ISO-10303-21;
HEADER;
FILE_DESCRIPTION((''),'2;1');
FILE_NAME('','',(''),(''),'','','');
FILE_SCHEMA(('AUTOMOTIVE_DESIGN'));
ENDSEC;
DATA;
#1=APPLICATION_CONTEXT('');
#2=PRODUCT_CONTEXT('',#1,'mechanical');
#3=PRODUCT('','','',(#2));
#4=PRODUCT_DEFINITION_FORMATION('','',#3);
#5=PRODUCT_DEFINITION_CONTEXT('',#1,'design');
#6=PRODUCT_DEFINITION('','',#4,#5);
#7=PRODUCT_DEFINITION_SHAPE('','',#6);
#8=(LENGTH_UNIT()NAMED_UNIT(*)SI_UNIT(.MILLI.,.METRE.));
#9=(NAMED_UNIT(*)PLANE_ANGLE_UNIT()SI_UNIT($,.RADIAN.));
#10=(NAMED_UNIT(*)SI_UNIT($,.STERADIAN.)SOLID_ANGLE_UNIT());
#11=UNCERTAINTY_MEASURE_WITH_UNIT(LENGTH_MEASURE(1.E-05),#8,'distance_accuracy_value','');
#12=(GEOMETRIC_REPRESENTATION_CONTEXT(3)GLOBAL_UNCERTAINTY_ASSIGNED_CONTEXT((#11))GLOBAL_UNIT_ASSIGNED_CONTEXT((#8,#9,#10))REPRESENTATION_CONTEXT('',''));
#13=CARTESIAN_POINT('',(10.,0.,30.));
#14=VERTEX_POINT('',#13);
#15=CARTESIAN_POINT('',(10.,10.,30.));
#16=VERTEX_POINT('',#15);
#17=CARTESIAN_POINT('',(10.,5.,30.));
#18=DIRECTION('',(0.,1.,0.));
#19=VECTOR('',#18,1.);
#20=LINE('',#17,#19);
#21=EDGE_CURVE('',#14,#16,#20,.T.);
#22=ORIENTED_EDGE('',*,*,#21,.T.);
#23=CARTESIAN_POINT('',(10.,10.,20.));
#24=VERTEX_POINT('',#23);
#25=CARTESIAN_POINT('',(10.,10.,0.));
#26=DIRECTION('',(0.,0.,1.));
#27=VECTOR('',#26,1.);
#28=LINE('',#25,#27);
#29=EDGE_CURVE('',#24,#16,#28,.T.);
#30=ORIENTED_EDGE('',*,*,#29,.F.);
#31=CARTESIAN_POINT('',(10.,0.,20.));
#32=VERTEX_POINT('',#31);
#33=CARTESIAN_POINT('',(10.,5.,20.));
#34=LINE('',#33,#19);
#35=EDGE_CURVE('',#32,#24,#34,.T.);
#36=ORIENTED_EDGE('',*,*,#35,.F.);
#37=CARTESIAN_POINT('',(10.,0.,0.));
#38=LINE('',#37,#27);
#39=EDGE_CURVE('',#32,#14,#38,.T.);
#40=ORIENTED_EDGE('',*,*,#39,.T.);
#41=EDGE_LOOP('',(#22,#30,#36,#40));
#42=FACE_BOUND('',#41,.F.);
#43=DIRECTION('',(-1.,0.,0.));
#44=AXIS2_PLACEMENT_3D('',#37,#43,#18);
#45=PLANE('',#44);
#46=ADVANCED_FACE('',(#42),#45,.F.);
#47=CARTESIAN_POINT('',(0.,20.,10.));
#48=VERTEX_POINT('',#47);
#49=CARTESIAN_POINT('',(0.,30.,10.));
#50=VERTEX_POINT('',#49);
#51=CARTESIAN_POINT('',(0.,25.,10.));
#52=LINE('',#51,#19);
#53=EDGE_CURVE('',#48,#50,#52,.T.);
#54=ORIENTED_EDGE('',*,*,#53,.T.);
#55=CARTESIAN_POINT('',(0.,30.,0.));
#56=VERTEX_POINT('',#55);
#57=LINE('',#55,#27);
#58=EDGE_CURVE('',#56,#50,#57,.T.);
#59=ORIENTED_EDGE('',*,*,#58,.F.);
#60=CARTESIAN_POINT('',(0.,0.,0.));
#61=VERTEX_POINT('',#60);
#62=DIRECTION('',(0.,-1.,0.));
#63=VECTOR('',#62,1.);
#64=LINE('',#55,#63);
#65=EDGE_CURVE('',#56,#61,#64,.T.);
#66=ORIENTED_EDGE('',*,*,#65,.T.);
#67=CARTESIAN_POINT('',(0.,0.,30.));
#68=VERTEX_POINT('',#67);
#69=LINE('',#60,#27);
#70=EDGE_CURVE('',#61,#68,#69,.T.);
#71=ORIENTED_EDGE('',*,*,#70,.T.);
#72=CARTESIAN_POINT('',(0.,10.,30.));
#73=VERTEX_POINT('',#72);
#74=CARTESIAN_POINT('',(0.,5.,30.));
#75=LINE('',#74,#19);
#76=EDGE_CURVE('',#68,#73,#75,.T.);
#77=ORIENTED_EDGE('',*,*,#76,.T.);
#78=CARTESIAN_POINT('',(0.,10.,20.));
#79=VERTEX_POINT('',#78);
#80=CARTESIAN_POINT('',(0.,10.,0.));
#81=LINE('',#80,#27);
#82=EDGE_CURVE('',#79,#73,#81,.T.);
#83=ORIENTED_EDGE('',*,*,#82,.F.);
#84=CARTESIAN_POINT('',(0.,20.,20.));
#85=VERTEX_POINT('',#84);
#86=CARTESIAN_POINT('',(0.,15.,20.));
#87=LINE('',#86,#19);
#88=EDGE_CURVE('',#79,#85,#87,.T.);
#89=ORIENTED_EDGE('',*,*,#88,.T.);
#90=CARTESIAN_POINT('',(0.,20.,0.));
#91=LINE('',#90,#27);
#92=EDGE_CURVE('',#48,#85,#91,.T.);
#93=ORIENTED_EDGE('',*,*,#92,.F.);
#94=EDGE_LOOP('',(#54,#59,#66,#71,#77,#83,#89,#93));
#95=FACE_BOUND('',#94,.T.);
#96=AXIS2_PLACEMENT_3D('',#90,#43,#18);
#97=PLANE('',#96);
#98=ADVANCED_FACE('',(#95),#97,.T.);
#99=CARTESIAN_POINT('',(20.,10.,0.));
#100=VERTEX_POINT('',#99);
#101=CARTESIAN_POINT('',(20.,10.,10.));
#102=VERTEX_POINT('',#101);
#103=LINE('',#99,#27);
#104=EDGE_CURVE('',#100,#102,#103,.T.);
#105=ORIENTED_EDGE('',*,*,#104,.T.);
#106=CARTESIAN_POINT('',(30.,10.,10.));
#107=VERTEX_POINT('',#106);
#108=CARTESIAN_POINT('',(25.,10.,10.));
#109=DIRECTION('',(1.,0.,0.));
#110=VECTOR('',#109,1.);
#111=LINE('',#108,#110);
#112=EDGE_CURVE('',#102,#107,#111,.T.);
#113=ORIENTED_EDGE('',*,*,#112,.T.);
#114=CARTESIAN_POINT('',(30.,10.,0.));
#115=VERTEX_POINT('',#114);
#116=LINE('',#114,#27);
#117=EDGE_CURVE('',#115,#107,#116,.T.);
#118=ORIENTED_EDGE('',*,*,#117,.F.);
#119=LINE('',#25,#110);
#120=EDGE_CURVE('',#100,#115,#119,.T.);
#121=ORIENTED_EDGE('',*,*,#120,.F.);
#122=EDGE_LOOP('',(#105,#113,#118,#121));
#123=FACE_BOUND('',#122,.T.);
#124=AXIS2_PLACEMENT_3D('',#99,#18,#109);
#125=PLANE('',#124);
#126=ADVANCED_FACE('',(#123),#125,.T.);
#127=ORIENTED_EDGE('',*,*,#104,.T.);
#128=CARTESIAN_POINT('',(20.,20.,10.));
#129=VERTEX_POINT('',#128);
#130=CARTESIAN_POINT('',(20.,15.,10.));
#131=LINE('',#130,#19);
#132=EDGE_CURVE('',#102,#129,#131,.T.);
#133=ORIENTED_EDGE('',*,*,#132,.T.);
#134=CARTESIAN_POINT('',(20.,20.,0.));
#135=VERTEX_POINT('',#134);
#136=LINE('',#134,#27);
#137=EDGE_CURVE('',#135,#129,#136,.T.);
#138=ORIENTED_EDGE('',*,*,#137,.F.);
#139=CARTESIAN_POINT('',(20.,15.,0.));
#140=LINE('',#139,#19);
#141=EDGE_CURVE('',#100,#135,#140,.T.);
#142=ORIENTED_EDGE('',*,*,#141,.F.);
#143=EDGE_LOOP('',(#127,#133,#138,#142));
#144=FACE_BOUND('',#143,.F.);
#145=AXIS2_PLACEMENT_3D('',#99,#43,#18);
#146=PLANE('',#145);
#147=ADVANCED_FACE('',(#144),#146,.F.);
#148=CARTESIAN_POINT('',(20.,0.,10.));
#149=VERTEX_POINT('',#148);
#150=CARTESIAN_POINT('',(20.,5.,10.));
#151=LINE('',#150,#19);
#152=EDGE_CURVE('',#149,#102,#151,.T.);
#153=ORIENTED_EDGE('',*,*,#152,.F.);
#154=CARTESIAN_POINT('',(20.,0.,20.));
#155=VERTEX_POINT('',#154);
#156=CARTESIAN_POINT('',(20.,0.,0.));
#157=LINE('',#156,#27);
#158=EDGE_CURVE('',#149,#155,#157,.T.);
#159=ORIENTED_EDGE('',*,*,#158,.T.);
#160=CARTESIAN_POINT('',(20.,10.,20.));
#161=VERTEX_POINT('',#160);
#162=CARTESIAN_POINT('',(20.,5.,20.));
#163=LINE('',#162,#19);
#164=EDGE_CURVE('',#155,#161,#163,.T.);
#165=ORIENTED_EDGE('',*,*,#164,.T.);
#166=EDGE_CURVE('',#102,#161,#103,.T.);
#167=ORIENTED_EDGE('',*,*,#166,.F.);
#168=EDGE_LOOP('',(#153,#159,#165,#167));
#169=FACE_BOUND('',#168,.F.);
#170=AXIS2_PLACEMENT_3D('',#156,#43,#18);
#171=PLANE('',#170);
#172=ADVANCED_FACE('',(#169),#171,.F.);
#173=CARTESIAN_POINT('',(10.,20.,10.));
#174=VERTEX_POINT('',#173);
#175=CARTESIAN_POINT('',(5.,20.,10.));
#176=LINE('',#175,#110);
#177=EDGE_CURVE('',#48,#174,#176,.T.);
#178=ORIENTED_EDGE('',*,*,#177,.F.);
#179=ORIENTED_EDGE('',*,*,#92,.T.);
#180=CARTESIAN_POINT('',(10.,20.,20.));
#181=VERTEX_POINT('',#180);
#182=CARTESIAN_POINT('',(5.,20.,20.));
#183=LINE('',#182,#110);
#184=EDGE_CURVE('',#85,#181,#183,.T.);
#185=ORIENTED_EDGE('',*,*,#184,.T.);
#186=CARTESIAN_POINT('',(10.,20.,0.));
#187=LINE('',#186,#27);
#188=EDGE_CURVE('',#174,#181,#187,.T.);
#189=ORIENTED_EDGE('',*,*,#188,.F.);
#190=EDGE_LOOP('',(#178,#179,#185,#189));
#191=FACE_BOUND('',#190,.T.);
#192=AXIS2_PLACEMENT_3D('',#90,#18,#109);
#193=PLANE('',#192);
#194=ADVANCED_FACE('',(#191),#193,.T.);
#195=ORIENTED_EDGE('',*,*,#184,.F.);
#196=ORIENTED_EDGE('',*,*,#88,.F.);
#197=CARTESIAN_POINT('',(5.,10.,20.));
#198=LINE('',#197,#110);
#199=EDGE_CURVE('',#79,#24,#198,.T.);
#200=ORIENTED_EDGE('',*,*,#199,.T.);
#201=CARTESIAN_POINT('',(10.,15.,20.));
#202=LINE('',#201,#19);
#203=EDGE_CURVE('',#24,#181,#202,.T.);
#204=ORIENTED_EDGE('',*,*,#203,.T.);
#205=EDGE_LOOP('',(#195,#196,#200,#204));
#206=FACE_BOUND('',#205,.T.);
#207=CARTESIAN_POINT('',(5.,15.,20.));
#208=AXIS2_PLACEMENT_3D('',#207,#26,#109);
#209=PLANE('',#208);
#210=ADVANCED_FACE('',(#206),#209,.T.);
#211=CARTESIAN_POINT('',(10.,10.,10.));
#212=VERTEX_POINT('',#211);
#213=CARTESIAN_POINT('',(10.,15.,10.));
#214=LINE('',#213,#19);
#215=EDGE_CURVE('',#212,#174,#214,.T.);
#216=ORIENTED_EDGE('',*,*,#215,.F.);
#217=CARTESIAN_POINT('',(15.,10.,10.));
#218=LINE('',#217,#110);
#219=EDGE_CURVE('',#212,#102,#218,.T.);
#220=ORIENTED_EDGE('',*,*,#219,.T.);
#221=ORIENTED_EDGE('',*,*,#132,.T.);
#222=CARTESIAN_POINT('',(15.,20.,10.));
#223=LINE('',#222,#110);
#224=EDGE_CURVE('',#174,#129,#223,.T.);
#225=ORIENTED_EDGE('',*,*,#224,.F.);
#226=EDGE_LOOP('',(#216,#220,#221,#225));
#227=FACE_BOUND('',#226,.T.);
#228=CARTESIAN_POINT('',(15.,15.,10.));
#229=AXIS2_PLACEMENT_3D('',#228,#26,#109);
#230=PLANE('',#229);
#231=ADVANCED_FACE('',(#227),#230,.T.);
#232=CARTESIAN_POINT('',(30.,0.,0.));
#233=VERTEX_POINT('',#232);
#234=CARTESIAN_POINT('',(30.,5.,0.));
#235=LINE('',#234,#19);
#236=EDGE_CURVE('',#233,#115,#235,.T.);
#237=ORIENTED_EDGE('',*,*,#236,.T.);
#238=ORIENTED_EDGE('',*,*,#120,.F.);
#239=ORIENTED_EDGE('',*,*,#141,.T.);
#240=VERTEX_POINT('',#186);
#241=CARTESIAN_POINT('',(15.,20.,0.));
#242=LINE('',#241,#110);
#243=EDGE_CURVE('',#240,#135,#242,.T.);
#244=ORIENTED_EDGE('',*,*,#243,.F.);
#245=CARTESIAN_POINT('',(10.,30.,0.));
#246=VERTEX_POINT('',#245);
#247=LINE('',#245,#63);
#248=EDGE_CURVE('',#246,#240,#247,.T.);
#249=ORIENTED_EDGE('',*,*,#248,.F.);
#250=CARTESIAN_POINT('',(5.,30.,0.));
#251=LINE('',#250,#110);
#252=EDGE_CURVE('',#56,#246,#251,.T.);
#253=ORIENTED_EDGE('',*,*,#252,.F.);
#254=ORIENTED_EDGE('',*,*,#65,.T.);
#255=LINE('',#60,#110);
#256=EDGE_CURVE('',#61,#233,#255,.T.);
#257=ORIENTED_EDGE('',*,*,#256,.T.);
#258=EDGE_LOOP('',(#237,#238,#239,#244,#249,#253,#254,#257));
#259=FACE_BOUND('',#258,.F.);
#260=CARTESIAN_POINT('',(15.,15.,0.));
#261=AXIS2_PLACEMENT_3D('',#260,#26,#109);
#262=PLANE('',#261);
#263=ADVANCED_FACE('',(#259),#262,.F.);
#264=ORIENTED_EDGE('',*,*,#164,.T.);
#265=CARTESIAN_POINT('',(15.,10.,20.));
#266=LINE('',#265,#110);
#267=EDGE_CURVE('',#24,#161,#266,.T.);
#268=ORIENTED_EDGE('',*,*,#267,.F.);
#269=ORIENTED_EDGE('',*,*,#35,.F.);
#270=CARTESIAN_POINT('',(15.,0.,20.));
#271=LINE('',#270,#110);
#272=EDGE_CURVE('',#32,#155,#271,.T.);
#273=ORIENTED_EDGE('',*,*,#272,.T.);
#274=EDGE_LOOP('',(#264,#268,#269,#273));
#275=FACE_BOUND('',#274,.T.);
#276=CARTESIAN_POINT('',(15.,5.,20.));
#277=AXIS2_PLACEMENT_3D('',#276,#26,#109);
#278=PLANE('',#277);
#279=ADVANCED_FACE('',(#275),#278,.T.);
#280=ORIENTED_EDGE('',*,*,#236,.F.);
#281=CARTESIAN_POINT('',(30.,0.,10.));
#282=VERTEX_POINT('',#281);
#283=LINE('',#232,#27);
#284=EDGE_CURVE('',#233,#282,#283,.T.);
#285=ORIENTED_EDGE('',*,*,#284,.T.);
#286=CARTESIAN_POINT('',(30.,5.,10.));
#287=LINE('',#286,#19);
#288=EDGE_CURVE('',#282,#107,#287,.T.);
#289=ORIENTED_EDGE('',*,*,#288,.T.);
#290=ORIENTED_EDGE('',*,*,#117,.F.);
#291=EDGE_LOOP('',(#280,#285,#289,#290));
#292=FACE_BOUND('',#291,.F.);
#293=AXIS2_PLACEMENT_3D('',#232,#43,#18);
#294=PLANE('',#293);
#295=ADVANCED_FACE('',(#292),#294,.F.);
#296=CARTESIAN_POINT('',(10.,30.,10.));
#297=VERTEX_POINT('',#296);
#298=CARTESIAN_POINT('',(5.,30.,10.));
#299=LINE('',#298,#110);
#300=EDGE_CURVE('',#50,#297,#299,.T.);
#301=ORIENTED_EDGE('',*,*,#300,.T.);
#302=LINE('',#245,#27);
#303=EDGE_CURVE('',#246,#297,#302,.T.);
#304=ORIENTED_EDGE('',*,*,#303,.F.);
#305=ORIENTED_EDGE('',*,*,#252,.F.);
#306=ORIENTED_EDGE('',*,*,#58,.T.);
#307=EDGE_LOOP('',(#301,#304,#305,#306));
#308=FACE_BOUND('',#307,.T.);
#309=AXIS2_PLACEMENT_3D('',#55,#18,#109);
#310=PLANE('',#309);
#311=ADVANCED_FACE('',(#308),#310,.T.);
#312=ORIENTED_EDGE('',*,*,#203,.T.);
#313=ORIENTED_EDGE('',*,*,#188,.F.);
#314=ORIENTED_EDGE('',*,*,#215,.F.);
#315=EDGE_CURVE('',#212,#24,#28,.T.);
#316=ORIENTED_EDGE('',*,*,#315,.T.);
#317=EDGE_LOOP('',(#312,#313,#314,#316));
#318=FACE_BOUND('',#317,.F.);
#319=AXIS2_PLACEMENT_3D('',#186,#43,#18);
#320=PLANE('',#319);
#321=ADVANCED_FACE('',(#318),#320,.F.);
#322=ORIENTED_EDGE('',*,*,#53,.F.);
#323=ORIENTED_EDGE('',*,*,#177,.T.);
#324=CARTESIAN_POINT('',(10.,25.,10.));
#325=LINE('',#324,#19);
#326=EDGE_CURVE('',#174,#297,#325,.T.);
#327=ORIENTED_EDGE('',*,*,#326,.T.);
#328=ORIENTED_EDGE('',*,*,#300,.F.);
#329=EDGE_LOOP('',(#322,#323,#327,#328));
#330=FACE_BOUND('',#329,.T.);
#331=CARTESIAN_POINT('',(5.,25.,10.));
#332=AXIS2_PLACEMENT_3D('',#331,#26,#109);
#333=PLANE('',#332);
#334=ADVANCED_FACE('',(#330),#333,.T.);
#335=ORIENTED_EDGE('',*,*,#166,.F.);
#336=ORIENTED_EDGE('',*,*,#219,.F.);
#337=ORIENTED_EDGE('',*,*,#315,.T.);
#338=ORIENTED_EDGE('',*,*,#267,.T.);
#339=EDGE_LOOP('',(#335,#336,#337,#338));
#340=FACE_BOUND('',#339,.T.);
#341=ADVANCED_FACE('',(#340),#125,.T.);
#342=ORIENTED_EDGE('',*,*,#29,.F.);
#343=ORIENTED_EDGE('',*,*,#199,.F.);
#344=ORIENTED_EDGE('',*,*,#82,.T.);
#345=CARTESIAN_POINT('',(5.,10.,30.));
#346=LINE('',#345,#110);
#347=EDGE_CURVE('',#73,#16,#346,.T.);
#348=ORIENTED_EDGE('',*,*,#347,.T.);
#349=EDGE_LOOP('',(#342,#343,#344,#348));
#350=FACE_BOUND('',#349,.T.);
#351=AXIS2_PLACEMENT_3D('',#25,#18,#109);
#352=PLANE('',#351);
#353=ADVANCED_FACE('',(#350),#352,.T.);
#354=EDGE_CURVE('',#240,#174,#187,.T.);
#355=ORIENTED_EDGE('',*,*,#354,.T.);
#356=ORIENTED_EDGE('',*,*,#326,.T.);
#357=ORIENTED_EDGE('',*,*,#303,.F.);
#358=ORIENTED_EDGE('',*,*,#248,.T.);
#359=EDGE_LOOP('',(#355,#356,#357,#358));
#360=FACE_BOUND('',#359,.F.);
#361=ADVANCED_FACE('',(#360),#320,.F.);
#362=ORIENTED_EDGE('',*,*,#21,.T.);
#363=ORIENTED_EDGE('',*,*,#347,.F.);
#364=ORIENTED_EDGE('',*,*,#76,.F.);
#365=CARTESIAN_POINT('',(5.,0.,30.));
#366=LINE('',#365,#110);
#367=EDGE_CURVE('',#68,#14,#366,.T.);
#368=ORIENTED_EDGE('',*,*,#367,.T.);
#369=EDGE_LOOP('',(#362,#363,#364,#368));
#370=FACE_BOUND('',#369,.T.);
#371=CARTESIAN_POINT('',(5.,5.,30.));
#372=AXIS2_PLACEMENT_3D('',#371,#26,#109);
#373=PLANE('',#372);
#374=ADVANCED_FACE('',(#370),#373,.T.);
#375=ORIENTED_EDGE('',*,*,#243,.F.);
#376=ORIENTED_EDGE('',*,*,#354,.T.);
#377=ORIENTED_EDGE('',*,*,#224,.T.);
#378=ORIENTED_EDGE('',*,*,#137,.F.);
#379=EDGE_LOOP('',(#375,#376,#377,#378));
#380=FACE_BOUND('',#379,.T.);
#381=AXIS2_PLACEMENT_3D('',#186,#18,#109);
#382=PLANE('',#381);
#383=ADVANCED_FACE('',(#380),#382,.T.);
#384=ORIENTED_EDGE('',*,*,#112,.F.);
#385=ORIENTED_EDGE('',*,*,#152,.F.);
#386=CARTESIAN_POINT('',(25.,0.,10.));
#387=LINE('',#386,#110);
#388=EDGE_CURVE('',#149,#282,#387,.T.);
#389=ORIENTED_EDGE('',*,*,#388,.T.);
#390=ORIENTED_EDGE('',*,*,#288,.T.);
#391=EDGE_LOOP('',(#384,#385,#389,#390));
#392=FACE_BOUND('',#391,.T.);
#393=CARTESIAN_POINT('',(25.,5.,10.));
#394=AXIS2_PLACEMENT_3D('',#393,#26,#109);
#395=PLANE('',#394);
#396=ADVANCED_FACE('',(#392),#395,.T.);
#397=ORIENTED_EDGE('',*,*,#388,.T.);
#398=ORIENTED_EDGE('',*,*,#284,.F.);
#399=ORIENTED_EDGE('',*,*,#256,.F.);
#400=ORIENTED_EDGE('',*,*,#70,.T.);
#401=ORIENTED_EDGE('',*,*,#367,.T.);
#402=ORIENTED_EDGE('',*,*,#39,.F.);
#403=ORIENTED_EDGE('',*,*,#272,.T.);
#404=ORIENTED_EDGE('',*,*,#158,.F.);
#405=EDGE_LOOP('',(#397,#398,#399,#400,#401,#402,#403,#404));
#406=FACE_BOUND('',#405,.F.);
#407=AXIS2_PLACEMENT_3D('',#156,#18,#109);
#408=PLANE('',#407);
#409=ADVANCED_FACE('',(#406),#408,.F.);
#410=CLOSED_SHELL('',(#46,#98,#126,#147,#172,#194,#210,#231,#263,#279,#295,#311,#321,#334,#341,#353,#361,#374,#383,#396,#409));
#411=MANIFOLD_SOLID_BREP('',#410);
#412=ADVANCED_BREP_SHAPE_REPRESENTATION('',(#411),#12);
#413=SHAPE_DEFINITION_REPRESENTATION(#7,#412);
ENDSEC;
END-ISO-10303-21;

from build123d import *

# Parameters (mm, degrees)
BOX001_W     = 10
BOX001_H     = 10
BOX001_DEPTH = 20
BOX002_W     = 10
BOX002_H     = 10
BOX002_DEPTH = 20
BOX003_W     = 10
BOX003_H     = 10
BOX003_DEPTH = 10
BOX004_W     = 10
BOX004_H     = 10
BOX004_DEPTH = 10
BOX005_W     = 10
BOX005_H     = 10
BOX005_DEPTH = 10
BOX_W        = 10
BOX_H        = 10
BOX_DEPTH    = 30


with BuildPart() as cubo2:
    # Box001 → Box001 (new body)
    with BuildSketch(Plane(origin=(10, 0, 0), x_dir=(1, 0, 0), z_dir=(0, 0, 1))):
        with Locations((5, 5)):
            Rectangle(BOX001_W, BOX001_H)
    extrude(amount=BOX001_DEPTH)


with BuildPart() as cubo3:
    # Box002 → Box002 (new body)
    with BuildSketch(Plane(origin=(0, 10, 0), x_dir=(1, 0, 0), z_dir=(0, 0, 1))):
        with Locations((5, 5)):
            Rectangle(BOX002_W, BOX002_H)
    extrude(amount=BOX002_DEPTH)


with BuildPart() as cubo4:
    # Box003 → Box003 (new body)
    with BuildSketch(Plane(origin=(20, 0, 0), x_dir=(1, 0, 0), z_dir=(0, 0, 1))):
        with Locations((5, 5)):
            Rectangle(BOX003_W, BOX003_H)
    extrude(amount=BOX003_DEPTH)


with BuildPart() as cubo5:
    # Box004 → Box004 (new body)
    with BuildSketch(Plane(origin=(0, 20, 0), x_dir=(1, 0, 0), z_dir=(0, 0, 1))):
        with Locations((5, 5)):
            Rectangle(BOX004_W, BOX004_H)
    extrude(amount=BOX004_DEPTH)


with BuildPart() as cubo6:
    # Box005 → Box005 (new body)
    with BuildSketch(Plane(origin=(10, 10, 0), x_dir=(1, 0, 0), z_dir=(0, 0, 1))):
        with Locations((5, 5)):
            Rectangle(BOX005_W, BOX005_H)
    extrude(amount=BOX005_DEPTH)


with BuildPart() as fusion:
    # Box → Box (new body)
    with BuildSketch(Plane.XY):
        with Locations((5, 5)):
            Rectangle(BOX_W, BOX_H)
    extrude(amount=BOX_DEPTH)

    # Fusion: union cubo2, cubo3, cubo4, cubo5, cubo6
    add(cubo2.part)
    add(cubo3.part)
    add(cubo4.part)
    add(cubo5.part)
    add(cubo6.part)


solid = fusion.part
